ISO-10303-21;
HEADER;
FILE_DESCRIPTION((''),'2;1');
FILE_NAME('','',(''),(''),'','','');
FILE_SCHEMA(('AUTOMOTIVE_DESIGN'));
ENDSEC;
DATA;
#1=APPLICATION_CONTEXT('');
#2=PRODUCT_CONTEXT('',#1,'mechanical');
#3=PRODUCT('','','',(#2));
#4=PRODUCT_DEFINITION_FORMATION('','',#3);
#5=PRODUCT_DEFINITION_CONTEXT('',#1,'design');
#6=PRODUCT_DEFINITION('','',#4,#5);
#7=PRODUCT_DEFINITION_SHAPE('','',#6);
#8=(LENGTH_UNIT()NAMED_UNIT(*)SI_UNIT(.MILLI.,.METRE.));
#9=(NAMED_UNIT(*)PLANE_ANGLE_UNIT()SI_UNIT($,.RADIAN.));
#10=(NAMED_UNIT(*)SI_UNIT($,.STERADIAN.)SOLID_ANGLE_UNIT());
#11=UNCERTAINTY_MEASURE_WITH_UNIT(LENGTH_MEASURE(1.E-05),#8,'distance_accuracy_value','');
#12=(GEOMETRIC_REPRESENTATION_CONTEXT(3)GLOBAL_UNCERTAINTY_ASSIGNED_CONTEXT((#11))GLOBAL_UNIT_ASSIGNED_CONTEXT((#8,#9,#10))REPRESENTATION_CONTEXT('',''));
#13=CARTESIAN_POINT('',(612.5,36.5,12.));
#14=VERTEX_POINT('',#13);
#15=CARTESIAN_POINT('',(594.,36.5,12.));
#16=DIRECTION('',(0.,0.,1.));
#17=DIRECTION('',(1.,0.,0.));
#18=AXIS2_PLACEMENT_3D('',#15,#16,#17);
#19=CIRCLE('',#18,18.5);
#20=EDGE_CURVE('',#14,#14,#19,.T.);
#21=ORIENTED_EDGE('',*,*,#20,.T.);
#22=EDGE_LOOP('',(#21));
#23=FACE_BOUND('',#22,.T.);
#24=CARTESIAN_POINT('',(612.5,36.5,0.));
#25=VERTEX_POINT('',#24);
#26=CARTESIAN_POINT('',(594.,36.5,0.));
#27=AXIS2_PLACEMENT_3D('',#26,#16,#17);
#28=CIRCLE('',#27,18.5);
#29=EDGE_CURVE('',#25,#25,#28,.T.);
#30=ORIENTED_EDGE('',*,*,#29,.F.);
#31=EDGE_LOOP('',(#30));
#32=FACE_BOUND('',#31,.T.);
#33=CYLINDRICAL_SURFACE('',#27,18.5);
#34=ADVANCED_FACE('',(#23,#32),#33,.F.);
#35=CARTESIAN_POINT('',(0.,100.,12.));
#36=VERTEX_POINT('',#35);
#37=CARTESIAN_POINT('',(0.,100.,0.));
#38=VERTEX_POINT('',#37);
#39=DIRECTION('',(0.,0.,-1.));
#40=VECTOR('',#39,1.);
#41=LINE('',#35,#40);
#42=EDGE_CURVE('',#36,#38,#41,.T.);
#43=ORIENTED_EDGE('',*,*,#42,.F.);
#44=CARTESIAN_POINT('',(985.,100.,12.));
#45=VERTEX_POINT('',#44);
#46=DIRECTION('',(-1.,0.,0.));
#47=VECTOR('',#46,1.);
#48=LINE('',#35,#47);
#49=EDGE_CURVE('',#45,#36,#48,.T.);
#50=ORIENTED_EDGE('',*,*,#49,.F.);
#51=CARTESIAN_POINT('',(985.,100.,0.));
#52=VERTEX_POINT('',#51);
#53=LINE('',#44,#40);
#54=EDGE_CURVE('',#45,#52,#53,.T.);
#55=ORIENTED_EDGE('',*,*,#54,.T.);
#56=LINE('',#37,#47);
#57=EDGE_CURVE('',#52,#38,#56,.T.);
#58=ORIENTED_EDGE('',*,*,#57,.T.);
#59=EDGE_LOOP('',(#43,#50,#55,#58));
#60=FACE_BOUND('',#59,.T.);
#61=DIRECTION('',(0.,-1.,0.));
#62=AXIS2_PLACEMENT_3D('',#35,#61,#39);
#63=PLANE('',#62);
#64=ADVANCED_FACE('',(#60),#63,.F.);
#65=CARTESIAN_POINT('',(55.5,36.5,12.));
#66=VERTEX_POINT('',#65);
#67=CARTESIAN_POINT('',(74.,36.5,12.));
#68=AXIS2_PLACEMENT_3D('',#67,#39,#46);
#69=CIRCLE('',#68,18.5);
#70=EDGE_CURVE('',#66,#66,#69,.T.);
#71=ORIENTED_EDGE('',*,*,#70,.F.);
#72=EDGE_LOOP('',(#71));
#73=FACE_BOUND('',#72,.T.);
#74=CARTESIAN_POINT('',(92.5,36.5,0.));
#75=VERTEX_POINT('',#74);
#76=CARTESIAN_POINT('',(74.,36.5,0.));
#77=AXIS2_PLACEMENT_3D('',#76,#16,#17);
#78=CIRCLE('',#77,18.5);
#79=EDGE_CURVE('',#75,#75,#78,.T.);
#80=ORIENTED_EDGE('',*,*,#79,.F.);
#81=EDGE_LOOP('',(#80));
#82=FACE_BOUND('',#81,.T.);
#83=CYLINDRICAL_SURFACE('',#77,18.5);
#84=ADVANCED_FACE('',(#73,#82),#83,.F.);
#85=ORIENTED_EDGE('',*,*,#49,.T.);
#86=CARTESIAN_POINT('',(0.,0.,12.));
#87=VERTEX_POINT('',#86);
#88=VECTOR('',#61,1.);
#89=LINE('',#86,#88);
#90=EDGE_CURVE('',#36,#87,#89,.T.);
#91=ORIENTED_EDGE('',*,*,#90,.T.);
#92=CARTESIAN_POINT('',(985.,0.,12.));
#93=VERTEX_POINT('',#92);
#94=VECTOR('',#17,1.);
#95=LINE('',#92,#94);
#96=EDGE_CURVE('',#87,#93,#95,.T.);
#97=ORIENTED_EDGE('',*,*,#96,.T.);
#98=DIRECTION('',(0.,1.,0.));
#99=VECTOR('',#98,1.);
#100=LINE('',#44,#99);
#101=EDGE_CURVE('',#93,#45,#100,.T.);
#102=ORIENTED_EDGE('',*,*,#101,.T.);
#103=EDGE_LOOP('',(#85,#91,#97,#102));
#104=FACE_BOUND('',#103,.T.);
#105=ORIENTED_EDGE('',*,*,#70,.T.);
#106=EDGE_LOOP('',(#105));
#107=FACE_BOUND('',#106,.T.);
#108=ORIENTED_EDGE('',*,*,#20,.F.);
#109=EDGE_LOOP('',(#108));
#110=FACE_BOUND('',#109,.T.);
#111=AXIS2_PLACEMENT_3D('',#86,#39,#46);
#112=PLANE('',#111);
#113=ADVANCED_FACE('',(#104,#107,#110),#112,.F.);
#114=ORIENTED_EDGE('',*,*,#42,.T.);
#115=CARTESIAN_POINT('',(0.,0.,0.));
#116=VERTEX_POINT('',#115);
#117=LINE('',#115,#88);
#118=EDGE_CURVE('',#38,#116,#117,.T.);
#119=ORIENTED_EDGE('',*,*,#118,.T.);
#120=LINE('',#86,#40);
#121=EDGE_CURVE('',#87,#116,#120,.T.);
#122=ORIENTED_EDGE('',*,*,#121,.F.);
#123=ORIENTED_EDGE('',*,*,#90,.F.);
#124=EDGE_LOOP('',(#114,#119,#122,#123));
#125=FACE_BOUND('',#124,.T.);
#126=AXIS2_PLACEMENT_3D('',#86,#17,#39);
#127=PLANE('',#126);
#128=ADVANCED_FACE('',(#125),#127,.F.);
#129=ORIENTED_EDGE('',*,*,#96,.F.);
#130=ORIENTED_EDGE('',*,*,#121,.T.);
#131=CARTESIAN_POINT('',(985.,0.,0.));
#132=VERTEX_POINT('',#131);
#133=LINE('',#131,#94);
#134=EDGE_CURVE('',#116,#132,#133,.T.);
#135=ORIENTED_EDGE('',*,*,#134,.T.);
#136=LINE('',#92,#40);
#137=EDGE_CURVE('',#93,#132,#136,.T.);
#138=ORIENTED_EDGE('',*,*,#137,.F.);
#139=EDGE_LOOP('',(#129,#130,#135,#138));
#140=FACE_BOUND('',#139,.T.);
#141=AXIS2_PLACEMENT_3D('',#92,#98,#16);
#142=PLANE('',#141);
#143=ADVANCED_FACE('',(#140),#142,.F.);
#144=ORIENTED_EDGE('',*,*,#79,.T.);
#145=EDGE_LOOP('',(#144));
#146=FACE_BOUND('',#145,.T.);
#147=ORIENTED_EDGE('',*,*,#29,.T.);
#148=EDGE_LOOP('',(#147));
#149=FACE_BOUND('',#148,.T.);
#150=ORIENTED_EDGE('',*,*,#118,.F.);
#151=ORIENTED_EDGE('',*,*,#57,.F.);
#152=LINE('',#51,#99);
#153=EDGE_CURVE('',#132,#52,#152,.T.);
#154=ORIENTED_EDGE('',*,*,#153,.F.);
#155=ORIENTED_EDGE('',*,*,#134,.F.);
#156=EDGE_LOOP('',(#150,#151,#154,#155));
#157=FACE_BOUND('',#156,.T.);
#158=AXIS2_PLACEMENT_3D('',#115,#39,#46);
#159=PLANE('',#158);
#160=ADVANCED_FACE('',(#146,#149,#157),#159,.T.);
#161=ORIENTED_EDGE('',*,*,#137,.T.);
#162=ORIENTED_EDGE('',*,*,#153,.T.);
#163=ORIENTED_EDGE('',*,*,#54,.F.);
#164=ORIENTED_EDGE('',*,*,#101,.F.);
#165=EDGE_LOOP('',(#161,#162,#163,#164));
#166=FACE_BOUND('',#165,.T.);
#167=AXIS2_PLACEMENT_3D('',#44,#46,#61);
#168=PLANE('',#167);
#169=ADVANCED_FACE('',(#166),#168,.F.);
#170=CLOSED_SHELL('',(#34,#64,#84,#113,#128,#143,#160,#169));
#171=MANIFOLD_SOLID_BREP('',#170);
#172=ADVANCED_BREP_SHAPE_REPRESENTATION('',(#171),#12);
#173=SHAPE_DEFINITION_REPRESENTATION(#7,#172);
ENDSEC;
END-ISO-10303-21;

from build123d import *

# Parameters (mm, degrees)
CROQUIS1_W                 = 985
CROQUIS1_H                 = 100
SALIENTE_EXTRUIR1_DEPTH    = 12
CROQUIS2_R                 = 18.5
CORTAR_EXTRUIR1_DEPTH      = 1
CORTAR_EXTRUIR1_DEPTH_BACK = 13
CROQUIS3_R                 = 18.5
CORTAR_EXTRUIR2_DEPTH      = 13


with BuildPart() as part:
    # Croquis1 → Saliente-Extruir1 (new body)
    with BuildSketch(Plane.XY):
        with Locations((492.5, 50)):
            Rectangle(CROQUIS1_W, CROQUIS1_H)
    extrude(amount=SALIENTE_EXTRUIR1_DEPTH)

    # Croquis2 → Cortar-Extruir1 (cut, two sides)
    with BuildSketch(Plane.XY.offset(12)) as cortar_extruir1_sk:
        with Locations((74, 36.5)):
            Circle(CROQUIS2_R)
    extrude(amount=CORTAR_EXTRUIR1_DEPTH, mode=Mode.SUBTRACT)
    extrude(cortar_extruir1_sk.sketch, amount=-CORTAR_EXTRUIR1_DEPTH_BACK, mode=Mode.SUBTRACT)

    # Croquis3 → Cortar-Extruir2 (cut, through all)
    with BuildSketch(Plane.XY.offset(12)):
        with Locations((594, 36.5)):
            Circle(CROQUIS3_R)
    extrude(amount=-CORTAR_EXTRUIR2_DEPTH, mode=Mode.SUBTRACT)


solid = part.part
